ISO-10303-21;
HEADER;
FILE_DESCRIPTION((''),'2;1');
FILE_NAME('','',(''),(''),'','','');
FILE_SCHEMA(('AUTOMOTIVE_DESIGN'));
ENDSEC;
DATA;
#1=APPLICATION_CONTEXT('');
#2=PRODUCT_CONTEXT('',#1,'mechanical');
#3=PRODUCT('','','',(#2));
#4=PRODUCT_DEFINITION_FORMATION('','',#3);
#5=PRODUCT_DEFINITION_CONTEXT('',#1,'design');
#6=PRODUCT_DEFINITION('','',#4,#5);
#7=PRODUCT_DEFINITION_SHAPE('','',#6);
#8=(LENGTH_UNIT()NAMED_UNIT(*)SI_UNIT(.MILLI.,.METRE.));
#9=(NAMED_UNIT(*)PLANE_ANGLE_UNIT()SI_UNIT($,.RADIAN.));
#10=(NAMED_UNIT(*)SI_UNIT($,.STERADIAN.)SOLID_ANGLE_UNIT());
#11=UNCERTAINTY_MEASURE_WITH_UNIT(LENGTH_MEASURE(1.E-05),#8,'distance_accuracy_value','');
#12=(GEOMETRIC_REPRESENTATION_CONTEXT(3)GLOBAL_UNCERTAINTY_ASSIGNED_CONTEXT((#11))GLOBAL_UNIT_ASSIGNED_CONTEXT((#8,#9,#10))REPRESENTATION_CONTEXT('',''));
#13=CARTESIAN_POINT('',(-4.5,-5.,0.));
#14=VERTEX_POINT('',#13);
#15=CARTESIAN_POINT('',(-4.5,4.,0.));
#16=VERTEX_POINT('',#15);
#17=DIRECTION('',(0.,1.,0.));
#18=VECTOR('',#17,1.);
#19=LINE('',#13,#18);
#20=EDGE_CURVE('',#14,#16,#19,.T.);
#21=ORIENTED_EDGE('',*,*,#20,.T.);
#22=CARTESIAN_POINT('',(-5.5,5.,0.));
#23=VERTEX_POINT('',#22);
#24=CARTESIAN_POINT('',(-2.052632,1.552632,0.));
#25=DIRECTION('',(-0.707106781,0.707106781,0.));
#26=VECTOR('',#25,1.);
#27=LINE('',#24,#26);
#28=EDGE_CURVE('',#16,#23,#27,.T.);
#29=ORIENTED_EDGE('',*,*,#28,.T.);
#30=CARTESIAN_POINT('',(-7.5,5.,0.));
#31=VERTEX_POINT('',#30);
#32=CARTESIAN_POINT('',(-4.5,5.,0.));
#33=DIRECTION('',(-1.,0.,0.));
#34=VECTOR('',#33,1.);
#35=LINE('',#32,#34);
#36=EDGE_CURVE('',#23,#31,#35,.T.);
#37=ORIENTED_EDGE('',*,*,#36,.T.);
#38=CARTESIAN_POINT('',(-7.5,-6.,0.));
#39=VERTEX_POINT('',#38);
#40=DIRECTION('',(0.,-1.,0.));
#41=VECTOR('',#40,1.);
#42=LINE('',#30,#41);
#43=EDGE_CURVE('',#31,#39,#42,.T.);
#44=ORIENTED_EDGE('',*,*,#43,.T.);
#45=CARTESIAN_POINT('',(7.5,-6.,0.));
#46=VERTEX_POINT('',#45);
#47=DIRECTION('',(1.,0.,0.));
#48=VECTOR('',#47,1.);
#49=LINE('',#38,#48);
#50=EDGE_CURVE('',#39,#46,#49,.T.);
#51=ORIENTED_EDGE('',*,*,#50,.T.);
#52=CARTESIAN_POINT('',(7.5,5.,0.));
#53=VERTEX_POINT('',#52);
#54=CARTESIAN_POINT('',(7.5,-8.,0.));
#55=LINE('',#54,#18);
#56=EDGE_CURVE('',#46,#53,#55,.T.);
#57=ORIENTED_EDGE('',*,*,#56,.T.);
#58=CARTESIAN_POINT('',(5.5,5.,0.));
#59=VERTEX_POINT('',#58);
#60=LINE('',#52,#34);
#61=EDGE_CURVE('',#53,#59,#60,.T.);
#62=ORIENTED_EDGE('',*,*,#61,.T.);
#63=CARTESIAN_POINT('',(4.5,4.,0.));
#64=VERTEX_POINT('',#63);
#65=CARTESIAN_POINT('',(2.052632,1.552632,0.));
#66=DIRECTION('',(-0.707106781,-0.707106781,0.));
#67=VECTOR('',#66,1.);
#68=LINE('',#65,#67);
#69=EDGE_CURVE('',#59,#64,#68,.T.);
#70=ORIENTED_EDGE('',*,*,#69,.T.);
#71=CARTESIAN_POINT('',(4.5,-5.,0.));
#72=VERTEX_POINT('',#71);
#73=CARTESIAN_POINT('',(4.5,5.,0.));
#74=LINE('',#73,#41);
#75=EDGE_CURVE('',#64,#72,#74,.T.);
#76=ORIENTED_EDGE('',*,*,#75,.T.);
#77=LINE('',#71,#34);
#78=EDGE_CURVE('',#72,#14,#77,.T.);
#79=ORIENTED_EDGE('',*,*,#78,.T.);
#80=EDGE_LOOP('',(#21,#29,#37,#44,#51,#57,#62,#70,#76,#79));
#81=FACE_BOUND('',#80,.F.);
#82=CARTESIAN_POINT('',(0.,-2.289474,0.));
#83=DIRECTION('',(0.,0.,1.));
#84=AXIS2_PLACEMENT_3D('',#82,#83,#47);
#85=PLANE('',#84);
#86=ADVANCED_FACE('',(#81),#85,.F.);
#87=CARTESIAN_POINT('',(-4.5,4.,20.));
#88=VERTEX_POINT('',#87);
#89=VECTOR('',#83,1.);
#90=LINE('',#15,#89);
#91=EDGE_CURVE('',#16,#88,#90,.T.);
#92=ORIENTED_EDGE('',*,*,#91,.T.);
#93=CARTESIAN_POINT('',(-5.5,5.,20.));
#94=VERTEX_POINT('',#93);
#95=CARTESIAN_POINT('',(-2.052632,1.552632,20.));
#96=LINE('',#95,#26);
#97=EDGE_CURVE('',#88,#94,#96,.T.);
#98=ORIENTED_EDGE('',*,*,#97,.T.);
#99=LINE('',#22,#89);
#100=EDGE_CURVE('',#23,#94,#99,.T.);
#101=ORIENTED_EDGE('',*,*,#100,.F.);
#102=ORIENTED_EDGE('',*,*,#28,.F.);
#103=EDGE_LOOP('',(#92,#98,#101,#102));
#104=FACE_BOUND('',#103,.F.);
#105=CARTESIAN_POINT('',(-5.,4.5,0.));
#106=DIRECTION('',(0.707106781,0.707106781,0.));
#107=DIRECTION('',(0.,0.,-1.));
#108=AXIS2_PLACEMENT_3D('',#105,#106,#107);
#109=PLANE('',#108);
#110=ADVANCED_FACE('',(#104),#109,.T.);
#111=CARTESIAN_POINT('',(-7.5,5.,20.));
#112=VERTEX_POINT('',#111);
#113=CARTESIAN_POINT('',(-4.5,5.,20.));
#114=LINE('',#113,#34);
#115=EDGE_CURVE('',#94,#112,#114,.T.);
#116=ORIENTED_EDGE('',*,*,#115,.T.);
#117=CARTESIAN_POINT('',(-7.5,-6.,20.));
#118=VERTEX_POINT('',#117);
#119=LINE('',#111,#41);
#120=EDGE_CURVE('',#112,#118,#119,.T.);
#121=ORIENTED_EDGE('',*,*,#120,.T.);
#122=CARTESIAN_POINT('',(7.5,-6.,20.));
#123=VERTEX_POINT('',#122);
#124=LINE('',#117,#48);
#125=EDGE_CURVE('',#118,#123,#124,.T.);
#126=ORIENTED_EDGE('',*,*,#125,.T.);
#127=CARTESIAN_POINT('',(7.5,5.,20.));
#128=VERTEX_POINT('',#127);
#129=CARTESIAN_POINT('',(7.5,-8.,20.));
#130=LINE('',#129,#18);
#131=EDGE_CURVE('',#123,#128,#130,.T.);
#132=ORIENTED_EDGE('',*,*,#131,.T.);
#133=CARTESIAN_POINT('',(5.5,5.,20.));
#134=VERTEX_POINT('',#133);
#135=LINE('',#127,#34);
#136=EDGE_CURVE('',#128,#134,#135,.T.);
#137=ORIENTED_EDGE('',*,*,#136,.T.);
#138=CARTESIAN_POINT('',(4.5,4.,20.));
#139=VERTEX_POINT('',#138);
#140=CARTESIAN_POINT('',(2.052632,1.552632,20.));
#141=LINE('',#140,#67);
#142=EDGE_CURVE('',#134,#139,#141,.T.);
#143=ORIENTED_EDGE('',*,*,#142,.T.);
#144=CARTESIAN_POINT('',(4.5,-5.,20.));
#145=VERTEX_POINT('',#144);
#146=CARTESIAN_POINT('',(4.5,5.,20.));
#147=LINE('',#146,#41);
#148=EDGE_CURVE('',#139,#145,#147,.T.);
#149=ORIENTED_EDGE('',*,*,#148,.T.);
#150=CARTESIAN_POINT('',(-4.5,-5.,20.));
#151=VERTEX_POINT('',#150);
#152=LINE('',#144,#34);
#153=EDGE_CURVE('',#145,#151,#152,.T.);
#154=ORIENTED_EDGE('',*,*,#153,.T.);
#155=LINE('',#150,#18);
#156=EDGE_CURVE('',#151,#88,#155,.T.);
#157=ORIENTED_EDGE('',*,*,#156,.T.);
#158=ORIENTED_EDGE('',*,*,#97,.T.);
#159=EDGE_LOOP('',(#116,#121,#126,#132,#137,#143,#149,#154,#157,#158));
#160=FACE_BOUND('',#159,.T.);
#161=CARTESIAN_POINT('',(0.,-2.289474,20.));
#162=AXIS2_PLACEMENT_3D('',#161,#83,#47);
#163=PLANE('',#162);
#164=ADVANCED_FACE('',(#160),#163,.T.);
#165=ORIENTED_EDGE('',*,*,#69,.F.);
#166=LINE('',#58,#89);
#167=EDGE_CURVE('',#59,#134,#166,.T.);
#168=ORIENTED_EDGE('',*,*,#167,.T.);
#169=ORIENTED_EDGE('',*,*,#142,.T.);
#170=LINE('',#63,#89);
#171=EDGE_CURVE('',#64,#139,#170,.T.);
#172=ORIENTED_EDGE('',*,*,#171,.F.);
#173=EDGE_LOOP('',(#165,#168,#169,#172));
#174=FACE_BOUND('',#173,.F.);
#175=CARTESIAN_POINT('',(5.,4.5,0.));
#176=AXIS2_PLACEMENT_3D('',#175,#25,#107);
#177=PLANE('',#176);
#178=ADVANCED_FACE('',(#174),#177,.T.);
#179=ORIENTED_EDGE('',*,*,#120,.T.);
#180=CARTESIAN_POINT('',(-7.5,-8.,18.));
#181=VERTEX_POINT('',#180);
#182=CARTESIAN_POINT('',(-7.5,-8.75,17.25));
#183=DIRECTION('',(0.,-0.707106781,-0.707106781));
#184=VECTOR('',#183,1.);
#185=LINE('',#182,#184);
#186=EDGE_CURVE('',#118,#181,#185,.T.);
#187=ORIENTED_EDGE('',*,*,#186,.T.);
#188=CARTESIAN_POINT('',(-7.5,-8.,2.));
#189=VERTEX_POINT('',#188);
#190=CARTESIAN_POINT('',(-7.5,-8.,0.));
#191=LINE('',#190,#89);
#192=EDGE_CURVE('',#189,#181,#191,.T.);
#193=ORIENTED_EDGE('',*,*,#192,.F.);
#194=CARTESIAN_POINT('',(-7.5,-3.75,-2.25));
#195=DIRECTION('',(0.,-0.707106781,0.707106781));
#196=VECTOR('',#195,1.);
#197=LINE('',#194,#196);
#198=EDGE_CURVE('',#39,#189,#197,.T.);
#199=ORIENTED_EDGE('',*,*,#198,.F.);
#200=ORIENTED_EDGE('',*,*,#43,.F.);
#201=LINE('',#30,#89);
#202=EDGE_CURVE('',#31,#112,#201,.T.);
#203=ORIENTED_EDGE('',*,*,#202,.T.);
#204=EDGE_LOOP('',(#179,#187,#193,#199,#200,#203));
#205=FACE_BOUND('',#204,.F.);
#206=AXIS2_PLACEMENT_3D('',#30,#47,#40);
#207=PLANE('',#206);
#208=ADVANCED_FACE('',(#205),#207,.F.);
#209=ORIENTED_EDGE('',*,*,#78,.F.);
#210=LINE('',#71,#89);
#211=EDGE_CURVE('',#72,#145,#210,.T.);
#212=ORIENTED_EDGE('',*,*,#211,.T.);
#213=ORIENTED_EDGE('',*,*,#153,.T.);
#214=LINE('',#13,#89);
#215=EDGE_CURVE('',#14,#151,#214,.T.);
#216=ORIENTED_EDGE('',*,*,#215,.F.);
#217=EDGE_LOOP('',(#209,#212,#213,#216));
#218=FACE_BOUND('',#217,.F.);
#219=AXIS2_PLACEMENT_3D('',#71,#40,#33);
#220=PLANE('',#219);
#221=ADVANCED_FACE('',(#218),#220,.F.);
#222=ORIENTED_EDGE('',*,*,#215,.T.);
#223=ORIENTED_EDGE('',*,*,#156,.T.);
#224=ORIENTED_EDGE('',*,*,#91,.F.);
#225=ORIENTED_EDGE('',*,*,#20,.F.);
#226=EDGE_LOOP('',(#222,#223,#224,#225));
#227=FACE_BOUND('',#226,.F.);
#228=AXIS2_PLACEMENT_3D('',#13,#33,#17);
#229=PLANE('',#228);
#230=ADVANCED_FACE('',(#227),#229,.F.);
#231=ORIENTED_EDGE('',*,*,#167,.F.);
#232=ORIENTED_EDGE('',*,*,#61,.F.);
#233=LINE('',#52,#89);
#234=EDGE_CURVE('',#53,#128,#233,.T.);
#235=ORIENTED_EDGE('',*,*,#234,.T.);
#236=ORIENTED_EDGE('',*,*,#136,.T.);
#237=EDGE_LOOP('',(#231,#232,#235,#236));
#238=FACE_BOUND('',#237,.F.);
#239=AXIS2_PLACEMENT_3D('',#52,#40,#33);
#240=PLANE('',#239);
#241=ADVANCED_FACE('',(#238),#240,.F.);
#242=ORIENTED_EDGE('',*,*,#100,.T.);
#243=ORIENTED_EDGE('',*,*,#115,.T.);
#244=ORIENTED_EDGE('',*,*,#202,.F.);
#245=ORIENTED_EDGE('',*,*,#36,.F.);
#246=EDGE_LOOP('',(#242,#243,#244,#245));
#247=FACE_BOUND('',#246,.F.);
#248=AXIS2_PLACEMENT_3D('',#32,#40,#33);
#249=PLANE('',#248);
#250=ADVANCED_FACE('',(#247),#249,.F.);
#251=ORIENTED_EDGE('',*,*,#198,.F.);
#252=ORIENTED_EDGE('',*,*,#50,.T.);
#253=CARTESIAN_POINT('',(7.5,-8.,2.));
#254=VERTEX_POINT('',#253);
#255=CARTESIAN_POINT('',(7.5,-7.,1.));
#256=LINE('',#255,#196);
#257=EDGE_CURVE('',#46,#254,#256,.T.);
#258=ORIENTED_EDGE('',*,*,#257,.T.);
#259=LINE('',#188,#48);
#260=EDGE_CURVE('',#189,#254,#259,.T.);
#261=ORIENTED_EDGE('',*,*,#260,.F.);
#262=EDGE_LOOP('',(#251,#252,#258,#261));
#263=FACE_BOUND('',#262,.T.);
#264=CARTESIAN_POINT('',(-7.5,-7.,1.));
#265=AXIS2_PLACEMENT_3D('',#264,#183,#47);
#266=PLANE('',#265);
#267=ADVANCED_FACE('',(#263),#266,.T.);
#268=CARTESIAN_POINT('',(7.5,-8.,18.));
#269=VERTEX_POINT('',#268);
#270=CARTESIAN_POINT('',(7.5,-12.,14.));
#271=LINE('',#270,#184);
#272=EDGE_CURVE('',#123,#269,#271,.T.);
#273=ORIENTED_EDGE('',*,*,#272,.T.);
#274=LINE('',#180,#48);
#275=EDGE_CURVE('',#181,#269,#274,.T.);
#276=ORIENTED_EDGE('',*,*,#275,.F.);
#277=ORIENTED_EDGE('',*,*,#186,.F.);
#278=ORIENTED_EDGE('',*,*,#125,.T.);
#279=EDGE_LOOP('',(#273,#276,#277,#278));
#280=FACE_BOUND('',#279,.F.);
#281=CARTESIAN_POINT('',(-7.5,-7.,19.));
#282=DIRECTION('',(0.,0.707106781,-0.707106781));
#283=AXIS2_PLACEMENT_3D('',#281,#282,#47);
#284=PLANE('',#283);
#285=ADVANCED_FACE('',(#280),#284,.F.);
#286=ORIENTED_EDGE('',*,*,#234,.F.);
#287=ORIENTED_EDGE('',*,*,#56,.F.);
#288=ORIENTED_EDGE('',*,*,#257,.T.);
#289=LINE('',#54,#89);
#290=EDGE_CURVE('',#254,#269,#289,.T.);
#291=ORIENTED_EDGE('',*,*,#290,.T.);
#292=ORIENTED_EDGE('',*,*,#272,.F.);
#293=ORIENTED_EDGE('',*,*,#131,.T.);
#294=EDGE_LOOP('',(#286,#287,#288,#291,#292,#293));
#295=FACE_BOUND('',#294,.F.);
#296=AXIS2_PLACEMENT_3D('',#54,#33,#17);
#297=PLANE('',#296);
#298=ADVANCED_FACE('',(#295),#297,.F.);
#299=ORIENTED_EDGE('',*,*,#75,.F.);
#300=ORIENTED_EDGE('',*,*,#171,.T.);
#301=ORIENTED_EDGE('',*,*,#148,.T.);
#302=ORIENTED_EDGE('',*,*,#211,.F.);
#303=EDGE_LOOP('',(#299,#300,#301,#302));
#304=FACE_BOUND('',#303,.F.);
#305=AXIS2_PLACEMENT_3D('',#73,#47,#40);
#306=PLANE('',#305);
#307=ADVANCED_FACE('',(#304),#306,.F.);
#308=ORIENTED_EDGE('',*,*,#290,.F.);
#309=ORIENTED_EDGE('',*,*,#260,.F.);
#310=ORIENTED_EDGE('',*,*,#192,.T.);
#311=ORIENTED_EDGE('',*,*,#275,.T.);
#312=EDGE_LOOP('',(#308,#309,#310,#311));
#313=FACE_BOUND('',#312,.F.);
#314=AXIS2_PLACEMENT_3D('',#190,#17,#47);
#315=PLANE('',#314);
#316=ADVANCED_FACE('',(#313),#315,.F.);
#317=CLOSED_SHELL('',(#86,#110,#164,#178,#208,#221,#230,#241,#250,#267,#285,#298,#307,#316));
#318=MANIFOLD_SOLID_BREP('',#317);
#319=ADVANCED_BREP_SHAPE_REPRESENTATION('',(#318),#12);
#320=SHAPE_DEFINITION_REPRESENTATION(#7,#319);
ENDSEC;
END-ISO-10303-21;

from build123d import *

# Parameters (mm, degrees)
PAD_DEPTH       = 20
CHAMFER_SIZE    = 1
CHAMFER001_SIZE = 2


with BuildPart() as part:
    # Sketch → Pad (new body)
    with BuildSketch(Plane.XY):
        Polygon((-7.5, 5), (-7.5, -8), (7.5, -8), (7.5, 5), (4.5, 5), (4.5, -5), (-4.5, -5), (-4.5, 5), align=None)
    extrude(amount=PAD_DEPTH)

    # Chamfer
    chamfer_edges = [part.edges().sort_by_distance(p)[0] for p in [
        (-4.5, 5, 10),
        (4.5, 5, 10),
    ]]
    chamfer(chamfer_edges, length=CHAMFER_SIZE)

    # Chamfer001
    chamfer001_edges = [part.edges().sort_by_distance(p)[0] for p in [
        (0, -8, 20),
        (0, -8, 0),
    ]]
    chamfer(chamfer001_edges, length=CHAMFER001_SIZE)


solid = part.part
